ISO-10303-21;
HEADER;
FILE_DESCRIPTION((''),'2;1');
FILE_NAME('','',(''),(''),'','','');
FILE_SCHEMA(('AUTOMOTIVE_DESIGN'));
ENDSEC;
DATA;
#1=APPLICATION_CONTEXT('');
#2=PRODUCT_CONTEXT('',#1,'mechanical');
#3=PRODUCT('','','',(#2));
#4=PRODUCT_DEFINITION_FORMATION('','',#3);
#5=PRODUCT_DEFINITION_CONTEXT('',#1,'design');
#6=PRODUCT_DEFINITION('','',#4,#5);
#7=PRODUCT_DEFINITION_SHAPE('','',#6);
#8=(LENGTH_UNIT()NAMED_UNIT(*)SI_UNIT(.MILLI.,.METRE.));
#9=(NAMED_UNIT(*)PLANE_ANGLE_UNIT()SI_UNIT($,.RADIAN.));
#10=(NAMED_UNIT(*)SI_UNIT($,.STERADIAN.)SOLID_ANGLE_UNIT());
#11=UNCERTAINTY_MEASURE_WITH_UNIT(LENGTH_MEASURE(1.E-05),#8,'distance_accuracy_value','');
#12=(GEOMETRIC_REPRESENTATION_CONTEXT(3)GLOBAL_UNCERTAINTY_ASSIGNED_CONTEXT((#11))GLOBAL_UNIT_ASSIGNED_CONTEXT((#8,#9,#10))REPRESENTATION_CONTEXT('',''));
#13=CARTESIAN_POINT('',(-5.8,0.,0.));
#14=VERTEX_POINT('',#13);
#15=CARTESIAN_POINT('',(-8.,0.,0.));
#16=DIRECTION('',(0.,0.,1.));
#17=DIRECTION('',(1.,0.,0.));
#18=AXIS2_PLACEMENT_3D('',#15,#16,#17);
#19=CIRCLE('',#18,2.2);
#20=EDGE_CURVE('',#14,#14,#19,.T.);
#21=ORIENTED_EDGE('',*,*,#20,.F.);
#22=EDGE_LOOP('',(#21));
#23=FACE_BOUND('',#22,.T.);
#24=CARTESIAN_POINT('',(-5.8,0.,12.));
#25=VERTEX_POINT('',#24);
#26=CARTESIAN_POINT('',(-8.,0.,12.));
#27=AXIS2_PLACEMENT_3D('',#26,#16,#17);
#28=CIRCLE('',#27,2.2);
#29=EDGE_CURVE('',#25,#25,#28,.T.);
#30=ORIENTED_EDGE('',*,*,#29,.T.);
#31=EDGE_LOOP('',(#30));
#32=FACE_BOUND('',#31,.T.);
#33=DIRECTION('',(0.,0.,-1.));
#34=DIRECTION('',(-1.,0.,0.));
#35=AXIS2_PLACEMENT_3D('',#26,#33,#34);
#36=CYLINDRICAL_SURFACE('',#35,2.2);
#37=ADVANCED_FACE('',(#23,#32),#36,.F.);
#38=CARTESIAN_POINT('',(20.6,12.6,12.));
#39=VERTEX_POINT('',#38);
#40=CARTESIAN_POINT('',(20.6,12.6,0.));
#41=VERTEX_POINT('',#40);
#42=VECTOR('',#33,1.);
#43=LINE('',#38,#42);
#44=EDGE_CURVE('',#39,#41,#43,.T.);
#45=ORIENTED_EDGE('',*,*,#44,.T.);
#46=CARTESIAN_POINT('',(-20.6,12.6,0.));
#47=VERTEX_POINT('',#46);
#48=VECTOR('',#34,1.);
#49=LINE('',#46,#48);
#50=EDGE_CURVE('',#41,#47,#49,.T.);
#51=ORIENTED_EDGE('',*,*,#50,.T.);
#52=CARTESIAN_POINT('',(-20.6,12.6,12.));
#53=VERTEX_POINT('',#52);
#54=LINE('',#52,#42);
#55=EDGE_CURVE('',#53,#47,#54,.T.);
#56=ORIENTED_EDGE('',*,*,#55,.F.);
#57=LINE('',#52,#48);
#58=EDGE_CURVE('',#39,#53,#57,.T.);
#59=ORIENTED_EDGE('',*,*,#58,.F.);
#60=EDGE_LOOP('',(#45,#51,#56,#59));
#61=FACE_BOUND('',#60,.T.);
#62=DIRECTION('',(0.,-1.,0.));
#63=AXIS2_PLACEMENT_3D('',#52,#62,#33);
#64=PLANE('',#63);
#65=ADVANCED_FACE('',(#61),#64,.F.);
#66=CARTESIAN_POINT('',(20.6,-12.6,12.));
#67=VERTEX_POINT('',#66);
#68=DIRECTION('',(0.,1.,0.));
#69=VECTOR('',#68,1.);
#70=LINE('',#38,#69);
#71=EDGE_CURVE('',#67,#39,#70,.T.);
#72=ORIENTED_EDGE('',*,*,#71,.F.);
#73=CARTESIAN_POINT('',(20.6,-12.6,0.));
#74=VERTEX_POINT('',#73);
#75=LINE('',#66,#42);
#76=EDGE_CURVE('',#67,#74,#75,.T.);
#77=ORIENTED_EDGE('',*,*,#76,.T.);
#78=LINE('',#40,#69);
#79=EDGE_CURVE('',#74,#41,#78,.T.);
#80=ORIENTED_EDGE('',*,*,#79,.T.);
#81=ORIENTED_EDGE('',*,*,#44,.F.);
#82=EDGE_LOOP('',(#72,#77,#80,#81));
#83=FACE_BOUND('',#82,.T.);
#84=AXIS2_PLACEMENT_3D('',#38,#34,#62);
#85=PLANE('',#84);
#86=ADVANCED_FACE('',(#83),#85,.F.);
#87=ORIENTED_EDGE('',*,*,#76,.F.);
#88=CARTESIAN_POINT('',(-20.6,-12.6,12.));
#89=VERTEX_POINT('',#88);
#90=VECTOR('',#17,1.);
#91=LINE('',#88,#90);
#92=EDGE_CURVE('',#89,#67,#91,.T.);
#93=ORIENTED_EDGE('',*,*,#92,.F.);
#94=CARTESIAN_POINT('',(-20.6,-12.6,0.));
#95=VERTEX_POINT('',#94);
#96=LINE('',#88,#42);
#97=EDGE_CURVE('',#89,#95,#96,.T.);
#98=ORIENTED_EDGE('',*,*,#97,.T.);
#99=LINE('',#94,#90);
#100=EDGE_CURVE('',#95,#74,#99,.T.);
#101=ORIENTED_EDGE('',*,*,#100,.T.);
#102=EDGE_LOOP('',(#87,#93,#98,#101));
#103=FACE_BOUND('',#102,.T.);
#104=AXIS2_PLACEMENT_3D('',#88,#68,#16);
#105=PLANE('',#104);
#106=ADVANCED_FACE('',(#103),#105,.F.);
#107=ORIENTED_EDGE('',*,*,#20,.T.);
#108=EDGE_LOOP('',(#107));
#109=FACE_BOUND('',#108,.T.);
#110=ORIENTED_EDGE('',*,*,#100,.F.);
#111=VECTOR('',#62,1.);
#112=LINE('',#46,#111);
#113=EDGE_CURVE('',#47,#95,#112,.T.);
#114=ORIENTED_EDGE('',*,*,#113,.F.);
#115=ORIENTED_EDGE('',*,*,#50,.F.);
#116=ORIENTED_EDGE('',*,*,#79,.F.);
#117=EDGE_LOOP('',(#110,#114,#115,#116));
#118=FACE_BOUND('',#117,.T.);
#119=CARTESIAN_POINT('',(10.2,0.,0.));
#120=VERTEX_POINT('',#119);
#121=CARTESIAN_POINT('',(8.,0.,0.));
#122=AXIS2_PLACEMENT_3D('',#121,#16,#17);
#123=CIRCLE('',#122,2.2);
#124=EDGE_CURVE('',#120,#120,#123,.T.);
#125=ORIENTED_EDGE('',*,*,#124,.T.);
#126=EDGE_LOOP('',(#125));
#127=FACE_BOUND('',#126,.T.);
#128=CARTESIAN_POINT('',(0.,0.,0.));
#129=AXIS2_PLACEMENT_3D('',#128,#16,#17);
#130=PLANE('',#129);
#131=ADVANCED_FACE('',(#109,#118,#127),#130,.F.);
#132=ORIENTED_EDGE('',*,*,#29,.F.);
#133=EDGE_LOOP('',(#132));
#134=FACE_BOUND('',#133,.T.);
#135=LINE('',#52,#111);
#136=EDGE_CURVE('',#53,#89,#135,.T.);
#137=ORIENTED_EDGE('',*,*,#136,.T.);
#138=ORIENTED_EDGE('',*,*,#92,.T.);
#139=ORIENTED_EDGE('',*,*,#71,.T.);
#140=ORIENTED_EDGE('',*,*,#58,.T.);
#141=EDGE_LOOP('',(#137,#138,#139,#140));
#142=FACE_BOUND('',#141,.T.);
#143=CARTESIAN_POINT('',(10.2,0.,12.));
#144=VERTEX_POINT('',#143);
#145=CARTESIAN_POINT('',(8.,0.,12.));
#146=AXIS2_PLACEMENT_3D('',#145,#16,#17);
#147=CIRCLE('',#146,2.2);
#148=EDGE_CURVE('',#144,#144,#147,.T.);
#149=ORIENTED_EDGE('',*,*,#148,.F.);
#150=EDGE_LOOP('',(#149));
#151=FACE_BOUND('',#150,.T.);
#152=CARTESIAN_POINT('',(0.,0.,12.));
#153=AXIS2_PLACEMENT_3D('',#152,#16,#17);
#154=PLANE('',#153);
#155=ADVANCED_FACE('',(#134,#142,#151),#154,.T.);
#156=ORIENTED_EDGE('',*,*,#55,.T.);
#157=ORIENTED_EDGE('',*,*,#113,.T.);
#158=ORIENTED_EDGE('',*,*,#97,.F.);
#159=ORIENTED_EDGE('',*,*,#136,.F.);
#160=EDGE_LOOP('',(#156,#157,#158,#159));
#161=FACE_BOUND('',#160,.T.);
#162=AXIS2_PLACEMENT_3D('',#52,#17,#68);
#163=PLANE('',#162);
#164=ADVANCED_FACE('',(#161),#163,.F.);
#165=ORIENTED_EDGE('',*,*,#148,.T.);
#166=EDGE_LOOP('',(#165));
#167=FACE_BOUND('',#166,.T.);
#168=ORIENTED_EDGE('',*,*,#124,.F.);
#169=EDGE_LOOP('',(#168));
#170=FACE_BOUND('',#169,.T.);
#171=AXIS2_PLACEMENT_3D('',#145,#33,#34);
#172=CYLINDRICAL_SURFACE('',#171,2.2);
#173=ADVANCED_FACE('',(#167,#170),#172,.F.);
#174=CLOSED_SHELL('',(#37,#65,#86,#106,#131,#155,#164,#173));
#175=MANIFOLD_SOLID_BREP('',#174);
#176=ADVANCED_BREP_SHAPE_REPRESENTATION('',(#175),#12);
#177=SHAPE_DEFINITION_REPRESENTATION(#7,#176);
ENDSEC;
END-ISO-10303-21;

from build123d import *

# Parameters (mm, degrees)
ESQUISSE1_W             = 41.2
ESQUISSE1_H             = 25.2
BOSS_EXTRU_1_DEPTH      = 12
ESQUISSE2_R             = 2.2
ENL_V_MAT_EXTRU_1_DEPTH = 12


with BuildPart() as part:
    # Esquisse1 → Boss.-Extru.1 (new body)
    with BuildSketch(Plane.XY):
        Rectangle(ESQUISSE1_W, ESQUISSE1_H)
    extrude(amount=BOSS_EXTRU_1_DEPTH)

    # Esquisse2 → Enlèv. mat.-Extru.1 (cut)
    with BuildSketch(Plane.XY):
        with Locations((8, 0)):
            Circle(ESQUISSE2_R)
        with Locations((-8, 0)):
            Circle(ESQUISSE2_R)
    extrude(amount=ENL_V_MAT_EXTRU_1_DEPTH, mode=Mode.SUBTRACT)


solid = part.part
